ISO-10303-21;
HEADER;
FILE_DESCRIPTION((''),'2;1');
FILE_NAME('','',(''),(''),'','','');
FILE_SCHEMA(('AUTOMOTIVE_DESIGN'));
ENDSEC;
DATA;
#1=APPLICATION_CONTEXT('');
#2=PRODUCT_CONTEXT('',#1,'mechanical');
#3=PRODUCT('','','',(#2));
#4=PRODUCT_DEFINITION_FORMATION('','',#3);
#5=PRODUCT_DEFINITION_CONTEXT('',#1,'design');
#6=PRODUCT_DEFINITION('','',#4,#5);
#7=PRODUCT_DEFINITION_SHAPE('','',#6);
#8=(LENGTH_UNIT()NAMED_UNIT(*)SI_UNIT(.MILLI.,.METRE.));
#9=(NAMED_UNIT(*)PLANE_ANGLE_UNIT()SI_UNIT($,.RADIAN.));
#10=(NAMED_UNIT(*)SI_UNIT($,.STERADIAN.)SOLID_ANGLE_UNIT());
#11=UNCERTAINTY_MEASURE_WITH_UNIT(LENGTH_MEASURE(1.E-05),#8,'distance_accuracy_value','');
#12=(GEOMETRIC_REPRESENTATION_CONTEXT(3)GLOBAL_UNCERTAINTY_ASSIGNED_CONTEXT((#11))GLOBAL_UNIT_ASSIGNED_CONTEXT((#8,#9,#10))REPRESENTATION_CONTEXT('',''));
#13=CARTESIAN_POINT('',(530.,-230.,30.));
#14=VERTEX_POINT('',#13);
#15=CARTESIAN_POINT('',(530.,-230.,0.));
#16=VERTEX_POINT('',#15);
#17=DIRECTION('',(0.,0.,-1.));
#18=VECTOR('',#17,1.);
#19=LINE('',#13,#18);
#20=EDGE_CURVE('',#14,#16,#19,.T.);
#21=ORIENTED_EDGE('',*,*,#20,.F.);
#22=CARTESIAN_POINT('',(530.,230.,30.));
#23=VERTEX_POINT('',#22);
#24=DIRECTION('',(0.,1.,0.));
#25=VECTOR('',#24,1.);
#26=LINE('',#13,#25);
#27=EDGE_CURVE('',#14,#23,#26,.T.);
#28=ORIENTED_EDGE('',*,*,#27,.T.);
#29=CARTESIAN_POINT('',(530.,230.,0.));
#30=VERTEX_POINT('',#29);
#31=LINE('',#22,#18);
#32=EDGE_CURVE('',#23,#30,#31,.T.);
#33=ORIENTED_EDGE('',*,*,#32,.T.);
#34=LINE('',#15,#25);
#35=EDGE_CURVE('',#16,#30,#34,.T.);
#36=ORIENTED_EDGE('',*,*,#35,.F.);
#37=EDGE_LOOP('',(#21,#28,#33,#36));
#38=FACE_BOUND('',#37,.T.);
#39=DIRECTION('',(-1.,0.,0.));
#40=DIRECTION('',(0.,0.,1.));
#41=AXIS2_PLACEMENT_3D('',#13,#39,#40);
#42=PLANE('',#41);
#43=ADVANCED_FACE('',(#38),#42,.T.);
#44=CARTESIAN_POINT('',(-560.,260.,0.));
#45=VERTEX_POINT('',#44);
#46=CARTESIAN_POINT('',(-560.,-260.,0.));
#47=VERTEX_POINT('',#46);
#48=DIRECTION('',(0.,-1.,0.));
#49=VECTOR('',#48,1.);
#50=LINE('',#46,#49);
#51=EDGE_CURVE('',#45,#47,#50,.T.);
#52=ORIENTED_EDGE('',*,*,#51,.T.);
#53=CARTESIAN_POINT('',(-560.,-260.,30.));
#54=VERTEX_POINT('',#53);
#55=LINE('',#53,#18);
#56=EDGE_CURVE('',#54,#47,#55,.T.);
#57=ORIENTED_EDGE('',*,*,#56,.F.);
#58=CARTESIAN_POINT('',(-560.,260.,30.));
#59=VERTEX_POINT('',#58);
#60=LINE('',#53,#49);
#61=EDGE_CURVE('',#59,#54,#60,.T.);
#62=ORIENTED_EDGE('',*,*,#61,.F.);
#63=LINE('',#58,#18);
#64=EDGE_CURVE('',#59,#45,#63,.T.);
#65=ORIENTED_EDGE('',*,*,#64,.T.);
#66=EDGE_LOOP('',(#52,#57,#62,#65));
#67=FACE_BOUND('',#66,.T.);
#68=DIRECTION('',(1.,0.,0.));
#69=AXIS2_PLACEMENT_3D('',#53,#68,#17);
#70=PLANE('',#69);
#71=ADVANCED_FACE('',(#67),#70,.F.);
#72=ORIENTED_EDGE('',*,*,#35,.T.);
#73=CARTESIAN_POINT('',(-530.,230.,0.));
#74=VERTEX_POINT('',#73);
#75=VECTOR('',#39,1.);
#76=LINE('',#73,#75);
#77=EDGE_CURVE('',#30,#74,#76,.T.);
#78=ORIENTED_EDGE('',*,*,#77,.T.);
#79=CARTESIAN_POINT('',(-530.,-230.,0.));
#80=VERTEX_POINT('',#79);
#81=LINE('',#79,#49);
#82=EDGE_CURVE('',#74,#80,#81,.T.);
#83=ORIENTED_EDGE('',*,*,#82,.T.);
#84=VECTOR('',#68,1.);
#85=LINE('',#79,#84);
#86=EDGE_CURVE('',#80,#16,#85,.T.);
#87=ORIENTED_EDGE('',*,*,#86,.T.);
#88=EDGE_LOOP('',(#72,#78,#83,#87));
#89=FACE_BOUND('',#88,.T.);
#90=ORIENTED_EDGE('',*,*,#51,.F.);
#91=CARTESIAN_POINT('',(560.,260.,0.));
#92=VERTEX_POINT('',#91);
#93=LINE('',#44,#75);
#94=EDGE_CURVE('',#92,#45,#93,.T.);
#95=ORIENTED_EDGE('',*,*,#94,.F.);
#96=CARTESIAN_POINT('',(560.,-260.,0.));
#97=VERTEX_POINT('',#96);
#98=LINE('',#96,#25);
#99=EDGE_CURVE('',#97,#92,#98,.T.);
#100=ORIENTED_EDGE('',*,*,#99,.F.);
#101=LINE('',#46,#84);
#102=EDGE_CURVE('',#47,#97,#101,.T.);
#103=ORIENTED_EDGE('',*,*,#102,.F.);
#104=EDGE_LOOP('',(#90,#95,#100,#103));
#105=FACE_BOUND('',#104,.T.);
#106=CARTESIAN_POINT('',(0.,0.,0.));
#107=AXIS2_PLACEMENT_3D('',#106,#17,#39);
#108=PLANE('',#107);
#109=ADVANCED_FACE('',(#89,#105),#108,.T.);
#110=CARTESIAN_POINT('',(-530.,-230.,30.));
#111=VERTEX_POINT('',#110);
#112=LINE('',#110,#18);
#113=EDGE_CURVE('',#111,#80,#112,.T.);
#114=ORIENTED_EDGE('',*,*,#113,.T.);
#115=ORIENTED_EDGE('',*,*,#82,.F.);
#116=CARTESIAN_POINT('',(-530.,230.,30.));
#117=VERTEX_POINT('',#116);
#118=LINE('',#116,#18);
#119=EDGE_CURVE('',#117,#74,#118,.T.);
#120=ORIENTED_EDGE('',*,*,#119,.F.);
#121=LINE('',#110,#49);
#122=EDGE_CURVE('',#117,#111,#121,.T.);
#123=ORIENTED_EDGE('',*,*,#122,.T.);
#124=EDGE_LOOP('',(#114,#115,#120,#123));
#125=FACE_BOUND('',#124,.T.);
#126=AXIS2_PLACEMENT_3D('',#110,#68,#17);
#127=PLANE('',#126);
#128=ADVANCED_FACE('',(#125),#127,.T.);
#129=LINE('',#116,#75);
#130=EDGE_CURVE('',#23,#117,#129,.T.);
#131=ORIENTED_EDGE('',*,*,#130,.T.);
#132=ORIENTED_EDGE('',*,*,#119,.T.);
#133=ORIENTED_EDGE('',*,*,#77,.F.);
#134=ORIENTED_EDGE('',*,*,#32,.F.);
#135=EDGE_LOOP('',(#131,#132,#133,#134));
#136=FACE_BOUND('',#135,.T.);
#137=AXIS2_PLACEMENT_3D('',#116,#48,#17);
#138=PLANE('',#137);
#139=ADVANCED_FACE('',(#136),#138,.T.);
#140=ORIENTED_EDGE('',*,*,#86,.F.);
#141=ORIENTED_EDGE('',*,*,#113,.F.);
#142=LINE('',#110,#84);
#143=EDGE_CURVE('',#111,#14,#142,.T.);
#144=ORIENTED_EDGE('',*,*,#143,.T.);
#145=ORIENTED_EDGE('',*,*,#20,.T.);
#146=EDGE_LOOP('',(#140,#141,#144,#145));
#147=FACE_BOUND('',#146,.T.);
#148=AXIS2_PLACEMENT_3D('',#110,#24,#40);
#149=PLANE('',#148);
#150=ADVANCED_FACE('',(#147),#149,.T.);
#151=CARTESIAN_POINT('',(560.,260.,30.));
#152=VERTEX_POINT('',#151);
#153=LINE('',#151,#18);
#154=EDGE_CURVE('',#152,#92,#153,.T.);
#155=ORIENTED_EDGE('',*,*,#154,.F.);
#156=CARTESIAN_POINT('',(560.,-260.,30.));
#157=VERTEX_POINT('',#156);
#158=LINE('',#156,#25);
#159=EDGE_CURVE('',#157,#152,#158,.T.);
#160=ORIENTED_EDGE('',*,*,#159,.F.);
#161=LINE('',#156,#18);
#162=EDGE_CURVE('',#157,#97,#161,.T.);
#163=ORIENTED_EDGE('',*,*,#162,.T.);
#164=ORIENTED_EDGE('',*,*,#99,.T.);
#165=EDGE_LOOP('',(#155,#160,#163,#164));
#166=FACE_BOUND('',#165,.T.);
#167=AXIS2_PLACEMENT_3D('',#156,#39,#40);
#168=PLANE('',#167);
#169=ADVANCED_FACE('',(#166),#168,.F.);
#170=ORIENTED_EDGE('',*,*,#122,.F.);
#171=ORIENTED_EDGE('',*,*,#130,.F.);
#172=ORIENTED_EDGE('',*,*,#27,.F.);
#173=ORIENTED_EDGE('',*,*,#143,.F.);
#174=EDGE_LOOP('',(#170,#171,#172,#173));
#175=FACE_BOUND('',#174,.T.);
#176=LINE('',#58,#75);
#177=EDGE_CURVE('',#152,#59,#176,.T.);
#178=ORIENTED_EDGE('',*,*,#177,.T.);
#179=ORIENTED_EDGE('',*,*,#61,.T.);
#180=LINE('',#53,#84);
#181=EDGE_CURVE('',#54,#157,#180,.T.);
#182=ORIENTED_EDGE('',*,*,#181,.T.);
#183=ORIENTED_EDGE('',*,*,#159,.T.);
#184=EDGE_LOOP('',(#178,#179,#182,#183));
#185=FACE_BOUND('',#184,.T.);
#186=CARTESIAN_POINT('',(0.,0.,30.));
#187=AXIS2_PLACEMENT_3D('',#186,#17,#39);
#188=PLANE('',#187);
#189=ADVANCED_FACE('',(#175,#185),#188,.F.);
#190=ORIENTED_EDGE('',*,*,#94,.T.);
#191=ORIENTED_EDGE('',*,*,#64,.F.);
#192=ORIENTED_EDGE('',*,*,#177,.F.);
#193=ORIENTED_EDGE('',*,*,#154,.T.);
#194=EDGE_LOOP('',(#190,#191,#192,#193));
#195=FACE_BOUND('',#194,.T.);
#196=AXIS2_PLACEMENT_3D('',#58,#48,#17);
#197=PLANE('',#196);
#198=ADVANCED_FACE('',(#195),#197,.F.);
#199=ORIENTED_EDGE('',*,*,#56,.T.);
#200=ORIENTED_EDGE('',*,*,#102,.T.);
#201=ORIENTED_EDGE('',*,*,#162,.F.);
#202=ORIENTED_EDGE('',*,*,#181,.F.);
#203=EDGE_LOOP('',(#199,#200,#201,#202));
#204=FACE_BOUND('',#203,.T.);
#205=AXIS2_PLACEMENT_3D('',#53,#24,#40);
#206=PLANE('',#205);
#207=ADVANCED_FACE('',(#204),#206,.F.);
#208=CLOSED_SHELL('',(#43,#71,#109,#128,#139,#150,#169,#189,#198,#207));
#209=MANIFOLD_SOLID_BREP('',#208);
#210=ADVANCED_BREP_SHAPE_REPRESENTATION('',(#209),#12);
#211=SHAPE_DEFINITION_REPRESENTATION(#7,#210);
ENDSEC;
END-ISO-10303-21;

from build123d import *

# Parameters (mm, degrees)
SKETCH1_W           = 1120
SKETCH1_H           = 520
SKETCH1_W_2         = 1060
SKETCH1_H_2         = 460
BOSS_EXTRUDE1_DEPTH = 30


with BuildPart() as part:
    # Sketch1 → Boss-Extrude1 (new body)
    with BuildSketch(Plane.XY):
        Rectangle(SKETCH1_W, SKETCH1_H)
        Rectangle(SKETCH1_W_2, SKETCH1_H_2, mode=Mode.SUBTRACT)
    extrude(amount=BOSS_EXTRUDE1_DEPTH)


solid = part.part
